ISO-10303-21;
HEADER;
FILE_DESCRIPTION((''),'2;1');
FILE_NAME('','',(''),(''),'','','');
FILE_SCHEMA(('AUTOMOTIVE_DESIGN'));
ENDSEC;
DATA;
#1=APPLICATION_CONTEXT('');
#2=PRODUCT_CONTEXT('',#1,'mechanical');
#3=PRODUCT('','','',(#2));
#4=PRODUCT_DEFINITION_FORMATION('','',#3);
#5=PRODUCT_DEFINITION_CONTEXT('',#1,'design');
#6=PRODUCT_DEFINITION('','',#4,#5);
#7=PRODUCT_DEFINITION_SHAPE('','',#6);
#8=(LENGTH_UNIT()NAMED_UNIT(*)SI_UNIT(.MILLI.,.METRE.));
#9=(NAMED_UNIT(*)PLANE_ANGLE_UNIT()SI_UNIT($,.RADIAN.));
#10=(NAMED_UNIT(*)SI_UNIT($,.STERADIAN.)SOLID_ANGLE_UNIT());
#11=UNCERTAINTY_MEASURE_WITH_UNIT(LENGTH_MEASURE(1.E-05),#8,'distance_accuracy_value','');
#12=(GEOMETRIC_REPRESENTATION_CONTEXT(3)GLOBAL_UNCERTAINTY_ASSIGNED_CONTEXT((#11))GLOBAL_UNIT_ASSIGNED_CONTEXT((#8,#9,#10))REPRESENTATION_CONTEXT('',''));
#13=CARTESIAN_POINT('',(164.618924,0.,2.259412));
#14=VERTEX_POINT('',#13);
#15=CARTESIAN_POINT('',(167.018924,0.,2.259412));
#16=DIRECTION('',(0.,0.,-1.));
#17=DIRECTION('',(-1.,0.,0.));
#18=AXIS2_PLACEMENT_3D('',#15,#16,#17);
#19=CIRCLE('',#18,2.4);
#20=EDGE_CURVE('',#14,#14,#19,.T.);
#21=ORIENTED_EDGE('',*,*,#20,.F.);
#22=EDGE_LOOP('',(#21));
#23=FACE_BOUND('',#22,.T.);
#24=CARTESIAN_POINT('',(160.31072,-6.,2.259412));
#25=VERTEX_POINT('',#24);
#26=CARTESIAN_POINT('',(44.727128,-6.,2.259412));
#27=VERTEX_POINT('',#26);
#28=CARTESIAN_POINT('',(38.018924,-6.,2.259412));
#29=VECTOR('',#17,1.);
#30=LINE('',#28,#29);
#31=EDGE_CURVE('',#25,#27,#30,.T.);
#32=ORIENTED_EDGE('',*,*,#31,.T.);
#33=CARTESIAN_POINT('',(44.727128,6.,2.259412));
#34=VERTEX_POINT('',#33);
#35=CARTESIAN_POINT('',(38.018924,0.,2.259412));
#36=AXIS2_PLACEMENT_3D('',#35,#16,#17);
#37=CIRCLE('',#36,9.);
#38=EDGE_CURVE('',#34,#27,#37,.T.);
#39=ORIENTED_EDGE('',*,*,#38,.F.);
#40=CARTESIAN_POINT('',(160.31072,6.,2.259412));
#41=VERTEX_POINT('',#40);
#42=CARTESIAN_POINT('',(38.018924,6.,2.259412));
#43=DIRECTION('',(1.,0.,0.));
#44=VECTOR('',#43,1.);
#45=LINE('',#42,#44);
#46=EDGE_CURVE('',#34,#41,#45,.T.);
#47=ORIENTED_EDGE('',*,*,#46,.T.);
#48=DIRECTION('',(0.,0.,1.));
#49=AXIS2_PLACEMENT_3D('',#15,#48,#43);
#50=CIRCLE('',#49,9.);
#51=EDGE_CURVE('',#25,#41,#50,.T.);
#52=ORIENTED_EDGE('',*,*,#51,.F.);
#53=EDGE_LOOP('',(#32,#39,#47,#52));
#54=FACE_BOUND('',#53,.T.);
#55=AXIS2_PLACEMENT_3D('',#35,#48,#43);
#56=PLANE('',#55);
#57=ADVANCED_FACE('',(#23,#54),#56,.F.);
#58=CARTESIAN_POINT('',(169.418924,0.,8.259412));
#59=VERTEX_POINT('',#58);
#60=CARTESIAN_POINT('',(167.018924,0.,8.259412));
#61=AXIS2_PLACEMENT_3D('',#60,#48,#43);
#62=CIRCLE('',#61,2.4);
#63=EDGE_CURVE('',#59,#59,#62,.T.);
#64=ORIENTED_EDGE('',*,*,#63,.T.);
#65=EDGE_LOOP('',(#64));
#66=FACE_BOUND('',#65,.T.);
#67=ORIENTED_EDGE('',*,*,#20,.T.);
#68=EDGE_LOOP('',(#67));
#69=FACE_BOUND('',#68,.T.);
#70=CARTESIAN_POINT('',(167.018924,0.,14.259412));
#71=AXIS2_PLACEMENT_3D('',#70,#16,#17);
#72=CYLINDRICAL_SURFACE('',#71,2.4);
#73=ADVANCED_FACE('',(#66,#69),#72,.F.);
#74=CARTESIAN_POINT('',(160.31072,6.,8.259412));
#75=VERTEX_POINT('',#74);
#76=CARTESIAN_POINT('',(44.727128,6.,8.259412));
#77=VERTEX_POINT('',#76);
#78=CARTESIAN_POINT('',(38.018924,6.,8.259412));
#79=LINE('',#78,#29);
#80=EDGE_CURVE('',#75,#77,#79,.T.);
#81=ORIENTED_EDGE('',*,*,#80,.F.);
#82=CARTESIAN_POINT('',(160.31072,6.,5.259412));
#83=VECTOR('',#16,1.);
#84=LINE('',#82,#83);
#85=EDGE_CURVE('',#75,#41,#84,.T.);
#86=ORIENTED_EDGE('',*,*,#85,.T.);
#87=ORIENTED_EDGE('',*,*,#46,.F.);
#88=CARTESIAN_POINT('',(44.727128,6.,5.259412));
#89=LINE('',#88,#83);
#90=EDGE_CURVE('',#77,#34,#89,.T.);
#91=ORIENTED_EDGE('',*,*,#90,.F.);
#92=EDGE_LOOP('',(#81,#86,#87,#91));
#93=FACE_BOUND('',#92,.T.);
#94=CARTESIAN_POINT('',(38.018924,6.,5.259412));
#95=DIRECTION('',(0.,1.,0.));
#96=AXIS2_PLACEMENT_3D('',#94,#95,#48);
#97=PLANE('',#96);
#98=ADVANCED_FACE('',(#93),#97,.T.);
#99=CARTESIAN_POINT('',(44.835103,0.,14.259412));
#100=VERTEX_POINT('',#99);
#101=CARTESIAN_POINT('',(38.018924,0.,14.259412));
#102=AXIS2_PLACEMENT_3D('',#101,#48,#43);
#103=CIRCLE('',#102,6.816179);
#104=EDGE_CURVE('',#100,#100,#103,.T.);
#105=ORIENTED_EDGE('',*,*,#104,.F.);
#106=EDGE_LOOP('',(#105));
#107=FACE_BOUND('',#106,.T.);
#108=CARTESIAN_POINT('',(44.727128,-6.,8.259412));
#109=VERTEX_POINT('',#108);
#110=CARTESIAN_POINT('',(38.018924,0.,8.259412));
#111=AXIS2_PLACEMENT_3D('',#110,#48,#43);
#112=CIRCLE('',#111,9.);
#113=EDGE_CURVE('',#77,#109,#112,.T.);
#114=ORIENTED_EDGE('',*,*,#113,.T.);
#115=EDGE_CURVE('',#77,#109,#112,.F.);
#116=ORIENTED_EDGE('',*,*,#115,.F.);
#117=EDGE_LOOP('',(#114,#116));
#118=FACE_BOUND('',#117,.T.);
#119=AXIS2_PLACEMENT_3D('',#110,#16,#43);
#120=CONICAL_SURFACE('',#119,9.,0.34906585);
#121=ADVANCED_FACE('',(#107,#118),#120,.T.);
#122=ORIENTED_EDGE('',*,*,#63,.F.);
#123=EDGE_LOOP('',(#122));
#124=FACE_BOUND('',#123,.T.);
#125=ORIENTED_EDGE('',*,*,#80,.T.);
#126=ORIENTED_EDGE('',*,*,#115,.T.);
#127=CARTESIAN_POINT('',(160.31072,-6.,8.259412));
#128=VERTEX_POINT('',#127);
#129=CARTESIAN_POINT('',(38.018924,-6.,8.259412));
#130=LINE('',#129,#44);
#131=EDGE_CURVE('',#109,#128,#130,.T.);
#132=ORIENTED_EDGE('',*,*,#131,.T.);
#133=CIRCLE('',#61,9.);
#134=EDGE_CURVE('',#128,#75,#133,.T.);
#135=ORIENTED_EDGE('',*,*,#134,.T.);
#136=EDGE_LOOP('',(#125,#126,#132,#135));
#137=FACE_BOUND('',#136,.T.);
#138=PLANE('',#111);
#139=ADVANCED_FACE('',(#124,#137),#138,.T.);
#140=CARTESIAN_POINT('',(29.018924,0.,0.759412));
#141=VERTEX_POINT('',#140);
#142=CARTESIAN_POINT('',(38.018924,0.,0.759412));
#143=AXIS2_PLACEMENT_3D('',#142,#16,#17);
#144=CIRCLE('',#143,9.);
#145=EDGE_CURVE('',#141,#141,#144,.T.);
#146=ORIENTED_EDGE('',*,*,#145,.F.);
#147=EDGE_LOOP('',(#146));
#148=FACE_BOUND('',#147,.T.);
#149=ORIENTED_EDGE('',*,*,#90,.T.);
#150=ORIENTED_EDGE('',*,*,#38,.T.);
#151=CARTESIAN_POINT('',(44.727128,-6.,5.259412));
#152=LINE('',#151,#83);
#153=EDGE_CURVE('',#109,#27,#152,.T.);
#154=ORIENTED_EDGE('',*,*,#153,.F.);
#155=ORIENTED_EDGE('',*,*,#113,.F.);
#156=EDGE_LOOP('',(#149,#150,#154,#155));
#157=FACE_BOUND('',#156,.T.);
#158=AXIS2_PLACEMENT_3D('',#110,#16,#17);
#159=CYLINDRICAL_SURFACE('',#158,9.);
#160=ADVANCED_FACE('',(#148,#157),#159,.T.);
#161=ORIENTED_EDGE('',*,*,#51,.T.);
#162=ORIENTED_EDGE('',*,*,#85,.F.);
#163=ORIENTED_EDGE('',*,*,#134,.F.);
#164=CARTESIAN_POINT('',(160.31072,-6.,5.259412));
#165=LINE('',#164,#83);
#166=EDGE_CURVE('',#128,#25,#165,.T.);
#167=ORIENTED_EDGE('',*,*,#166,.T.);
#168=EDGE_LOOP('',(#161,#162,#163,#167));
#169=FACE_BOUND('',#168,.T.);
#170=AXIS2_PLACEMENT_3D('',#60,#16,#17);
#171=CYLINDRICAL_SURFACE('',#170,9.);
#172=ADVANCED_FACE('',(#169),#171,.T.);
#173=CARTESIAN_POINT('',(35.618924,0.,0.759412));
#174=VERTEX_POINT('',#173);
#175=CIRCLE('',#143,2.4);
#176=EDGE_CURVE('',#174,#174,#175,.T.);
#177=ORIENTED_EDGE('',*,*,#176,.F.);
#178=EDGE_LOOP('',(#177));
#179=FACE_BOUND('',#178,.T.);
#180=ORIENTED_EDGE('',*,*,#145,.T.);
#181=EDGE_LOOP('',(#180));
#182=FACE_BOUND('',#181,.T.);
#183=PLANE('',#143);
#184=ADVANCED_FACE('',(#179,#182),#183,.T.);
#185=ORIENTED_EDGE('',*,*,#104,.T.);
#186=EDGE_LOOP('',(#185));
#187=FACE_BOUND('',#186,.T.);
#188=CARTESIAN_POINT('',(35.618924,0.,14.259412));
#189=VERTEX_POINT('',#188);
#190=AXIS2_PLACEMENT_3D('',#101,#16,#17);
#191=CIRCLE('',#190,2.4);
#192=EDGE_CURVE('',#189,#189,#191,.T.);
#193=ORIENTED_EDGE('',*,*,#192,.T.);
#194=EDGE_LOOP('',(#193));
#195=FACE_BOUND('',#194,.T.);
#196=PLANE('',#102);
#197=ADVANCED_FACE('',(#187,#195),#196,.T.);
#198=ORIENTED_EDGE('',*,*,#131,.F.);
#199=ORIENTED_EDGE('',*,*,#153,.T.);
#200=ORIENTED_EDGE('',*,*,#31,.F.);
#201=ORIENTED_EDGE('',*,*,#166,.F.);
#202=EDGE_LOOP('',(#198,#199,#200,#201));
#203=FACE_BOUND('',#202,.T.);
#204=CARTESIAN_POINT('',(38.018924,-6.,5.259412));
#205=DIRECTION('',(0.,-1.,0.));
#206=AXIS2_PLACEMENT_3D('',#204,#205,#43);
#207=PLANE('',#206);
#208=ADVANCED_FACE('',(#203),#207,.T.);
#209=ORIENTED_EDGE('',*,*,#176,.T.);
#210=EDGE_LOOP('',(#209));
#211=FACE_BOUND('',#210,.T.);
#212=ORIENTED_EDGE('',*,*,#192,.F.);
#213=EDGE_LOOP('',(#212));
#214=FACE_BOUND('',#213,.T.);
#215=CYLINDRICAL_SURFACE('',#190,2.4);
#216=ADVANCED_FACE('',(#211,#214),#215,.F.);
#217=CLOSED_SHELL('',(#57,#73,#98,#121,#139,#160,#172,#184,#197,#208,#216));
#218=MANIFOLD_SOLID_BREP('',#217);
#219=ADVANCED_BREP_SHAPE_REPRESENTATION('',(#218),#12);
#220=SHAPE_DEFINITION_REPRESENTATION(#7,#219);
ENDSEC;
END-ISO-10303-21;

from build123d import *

# Parameters (mm, degrees)
SKETCH1_R             = 15
BOSS_EXTRUDE1_DEPTH   = 10
BOSS_EXTRUDE1_2_DEPTH = 10
SKETCH2_R             = 15
BOSS_EXTRUDE2_DEPTH   = 10
BOSS_EXTRUDE2_TAPER   = 20
BOSS_EXTRUDE3_DEPTH   = 5
BOSS_EXTRUDE4_DEPTH   = 5
SKETCH13_R            = 4
CUT_EXTRUDE1_DEPTH    = 20
BOSS_EXTRUDE7_START   = 2.5
SKETCH14_R            = 15
SKETCH14_R_2          = 4
BOSS_EXTRUDE7_DEPTH   = 2.5
ECHELLE1_SCALE        = 0.6


with BuildPart() as part:
    # Sketch1 → Boss-Extrude1 (new body)
    with BuildSketch(Plane.XY):
        Circle(SKETCH1_R)
    extrude(amount=BOSS_EXTRUDE1_DEPTH)

    # Sketch2 → Boss-Extrude2 (add)
    with BuildSketch(Plane.XY.offset(10)):
        Circle(SKETCH2_R)
    extrude(amount=BOSS_EXTRUDE2_DEPTH, taper=BOSS_EXTRUDE2_TAPER)



with BuildPart() as body_2:
    # Sketch1 → Boss-Extrude1 2 (new body)
    with BuildSketch(Plane.XY):
        with Locations((215, 0)):
            Circle(SKETCH1_R)
    extrude(amount=BOSS_EXTRUDE1_2_DEPTH)


with BuildPart() as part_1:
    add(part.part)

    add(body_2.part)  # Boss-Extrude3 merges body 2
    # Sketch5 → Boss-Extrude3 (add)
    with BuildSketch(Plane.XY):
        with BuildLine():
            Line((203.819660113, 10), (11.180339887, 10))
            ThreePointArc((11.180339887, 10), (14.012585384, 5.352331347), (15, 0))
            ThreePointArc((15, 0), (14.012585384, -5.352331347), (11.180339887, -10))
            Line((11.180339887, -10), (203.819660113, -10))
            ThreePointArc((203.819660113, -10), (200, 0), (203.819660113, 10))
        make_face()
    extrude(amount=BOSS_EXTRUDE3_DEPTH)

    # Sketch6 → Boss-Extrude4 (add)
    with BuildSketch(Plane.XY.offset(5)):
        with BuildLine():
            ThreePointArc((15, 0), (14.947457842, -1.254393904), (14.790199458, -2.5))
            ThreePointArc((14.790199458, -2.5), (13.515906498, -6.505403256), (11.180339887, -10))
            Line((11.180339887, -10), (203.819660113, -10))
            ThreePointArc((203.819660113, -10), (200, 0), (203.819660113, 10))
            Line((203.819660113, 10), (11.180339887, 10))
            ThreePointArc((11.180339887, 10), (13.515906498, 6.505403256), (14.790199458, 2.5))
            ThreePointArc((14.790199458, 2.5), (14.947457842, 1.254393904), (15, 0))
        make_face()
    extrude(amount=BOSS_EXTRUDE4_DEPTH)

    # Sketch13 → Cut-Extrude1 (cut)
    with BuildSketch(Plane(origin=(0, 0, 0), x_dir=(-1, 0, 0), z_dir=(0, 0, -1))):
        with Locations((-215, 0)):
            Circle(SKETCH13_R)
        Circle(SKETCH13_R)
    extrude(amount=-CUT_EXTRUDE1_DEPTH, mode=Mode.SUBTRACT)

    # Sketch14 → Boss-Extrude7 (add)
    with BuildSketch(Plane(origin=(0, 0, 0), x_dir=(-1, 0, 0), z_dir=(0, 0, -1)).offset(BOSS_EXTRUDE7_START)):
        Circle(SKETCH14_R)
        Circle(SKETCH14_R_2, mode=Mode.SUBTRACT)
    extrude(amount=-BOSS_EXTRUDE7_DEPTH)


with BuildPart() as part_2:
    # Echelle1: scaled about (95.047310585, 0, 5.648530127)
    add(part_1.part.scale(ECHELLE1_SCALE).moved(Location((38.018924234, 0, 2.259412051))))


solid = part_2.part
